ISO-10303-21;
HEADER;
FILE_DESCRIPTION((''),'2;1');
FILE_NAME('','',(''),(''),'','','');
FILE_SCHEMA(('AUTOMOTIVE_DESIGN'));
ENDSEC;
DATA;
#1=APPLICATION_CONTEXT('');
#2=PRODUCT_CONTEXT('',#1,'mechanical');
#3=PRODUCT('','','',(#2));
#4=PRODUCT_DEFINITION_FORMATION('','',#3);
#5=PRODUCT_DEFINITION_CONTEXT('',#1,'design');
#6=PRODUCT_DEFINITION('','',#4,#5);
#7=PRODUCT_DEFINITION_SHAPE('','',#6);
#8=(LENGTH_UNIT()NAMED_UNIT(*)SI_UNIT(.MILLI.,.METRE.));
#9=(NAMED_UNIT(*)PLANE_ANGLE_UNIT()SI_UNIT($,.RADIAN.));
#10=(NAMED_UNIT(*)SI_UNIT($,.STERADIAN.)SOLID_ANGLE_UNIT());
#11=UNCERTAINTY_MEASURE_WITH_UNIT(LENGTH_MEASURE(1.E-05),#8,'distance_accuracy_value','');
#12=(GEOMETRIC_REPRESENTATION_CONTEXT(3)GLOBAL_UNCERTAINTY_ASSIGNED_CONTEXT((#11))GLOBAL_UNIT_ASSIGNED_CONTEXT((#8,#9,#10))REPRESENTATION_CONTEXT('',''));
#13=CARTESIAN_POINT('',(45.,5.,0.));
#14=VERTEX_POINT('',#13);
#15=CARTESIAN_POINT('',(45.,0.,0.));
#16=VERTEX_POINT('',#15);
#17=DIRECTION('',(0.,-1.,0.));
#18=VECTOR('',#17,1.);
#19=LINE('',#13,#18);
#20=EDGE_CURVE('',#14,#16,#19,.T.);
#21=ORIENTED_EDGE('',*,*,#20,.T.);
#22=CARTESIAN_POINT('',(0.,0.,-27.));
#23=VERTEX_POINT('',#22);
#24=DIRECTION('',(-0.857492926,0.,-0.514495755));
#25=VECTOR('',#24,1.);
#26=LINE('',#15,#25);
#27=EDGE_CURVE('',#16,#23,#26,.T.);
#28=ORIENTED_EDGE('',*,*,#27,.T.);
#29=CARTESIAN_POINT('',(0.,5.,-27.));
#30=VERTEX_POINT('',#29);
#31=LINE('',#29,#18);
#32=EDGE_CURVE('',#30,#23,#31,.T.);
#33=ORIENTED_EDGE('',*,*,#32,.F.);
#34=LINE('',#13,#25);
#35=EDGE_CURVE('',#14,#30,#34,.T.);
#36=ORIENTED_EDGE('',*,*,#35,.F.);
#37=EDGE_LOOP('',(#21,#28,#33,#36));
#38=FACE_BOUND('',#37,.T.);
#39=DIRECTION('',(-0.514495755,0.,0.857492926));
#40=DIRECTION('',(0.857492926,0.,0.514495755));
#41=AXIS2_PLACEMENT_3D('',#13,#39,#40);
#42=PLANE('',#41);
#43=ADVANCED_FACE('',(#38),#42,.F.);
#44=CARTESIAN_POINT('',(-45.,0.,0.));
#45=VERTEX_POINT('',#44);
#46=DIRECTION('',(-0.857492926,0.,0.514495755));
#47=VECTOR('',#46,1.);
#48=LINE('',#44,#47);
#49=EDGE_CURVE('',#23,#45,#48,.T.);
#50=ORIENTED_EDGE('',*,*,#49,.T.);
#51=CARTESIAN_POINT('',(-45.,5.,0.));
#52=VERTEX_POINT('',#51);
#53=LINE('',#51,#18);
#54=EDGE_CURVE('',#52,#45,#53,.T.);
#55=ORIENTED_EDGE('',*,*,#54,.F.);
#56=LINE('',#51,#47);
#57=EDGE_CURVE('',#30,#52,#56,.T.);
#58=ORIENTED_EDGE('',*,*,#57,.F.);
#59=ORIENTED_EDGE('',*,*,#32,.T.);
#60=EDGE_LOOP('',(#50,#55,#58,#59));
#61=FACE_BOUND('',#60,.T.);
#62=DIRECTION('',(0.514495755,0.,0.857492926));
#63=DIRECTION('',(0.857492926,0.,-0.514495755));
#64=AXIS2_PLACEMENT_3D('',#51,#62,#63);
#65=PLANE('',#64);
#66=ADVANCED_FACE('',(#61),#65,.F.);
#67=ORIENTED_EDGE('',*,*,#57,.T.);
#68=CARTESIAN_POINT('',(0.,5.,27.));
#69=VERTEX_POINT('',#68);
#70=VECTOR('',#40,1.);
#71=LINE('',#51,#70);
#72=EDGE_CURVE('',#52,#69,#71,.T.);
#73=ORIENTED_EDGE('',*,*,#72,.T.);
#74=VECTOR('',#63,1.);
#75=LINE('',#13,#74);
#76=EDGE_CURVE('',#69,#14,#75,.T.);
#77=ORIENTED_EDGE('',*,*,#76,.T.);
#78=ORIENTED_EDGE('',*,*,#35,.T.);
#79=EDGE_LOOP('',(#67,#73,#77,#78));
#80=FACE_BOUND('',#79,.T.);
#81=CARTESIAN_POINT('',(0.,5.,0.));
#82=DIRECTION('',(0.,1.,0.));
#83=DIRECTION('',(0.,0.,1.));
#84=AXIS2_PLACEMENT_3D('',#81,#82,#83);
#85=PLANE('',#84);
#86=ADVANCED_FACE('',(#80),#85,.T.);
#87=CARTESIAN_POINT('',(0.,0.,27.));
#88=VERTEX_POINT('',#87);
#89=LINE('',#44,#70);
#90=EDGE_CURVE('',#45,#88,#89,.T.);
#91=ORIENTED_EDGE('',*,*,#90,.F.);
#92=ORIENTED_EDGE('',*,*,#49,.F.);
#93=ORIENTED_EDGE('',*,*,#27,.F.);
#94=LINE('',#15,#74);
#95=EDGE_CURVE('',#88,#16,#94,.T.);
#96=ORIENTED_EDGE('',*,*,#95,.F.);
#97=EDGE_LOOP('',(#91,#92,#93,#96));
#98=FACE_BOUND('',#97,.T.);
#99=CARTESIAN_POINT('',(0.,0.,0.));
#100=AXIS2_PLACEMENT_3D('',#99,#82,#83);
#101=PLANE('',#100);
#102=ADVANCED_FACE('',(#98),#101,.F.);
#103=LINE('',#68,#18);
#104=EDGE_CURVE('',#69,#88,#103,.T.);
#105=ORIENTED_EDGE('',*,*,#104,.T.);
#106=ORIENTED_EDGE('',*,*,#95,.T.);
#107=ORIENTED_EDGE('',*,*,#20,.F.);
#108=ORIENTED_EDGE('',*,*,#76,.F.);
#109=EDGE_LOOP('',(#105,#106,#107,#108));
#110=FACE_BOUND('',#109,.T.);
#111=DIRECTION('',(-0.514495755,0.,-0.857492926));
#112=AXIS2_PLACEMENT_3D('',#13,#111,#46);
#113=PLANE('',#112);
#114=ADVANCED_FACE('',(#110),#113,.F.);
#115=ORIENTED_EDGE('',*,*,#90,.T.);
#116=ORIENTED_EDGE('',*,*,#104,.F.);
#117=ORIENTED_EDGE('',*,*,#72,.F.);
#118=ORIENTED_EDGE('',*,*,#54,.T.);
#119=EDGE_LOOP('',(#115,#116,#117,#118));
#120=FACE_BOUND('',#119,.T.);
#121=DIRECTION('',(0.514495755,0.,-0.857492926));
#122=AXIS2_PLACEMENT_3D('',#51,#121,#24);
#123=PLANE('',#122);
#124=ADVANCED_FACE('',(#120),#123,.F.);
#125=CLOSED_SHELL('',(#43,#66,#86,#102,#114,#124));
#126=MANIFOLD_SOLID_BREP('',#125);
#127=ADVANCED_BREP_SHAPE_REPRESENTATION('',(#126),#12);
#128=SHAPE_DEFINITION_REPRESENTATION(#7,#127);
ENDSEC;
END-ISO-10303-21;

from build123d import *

# Parameters (mm, degrees)
EXTRUDE_1_DEPTH = 5


with BuildPart() as part:
    # 草图1 → 凸台-拉伸1 (new body)
    with BuildSketch(Plane(origin=(0, 0, 0), x_dir=(1, 0, 0), z_dir=(0, 1, 0))):
        Polygon((45, 0), (0, 27), (-45, 0), (0, -27), align=None)
    extrude(amount=EXTRUDE_1_DEPTH)


solid = part.part
